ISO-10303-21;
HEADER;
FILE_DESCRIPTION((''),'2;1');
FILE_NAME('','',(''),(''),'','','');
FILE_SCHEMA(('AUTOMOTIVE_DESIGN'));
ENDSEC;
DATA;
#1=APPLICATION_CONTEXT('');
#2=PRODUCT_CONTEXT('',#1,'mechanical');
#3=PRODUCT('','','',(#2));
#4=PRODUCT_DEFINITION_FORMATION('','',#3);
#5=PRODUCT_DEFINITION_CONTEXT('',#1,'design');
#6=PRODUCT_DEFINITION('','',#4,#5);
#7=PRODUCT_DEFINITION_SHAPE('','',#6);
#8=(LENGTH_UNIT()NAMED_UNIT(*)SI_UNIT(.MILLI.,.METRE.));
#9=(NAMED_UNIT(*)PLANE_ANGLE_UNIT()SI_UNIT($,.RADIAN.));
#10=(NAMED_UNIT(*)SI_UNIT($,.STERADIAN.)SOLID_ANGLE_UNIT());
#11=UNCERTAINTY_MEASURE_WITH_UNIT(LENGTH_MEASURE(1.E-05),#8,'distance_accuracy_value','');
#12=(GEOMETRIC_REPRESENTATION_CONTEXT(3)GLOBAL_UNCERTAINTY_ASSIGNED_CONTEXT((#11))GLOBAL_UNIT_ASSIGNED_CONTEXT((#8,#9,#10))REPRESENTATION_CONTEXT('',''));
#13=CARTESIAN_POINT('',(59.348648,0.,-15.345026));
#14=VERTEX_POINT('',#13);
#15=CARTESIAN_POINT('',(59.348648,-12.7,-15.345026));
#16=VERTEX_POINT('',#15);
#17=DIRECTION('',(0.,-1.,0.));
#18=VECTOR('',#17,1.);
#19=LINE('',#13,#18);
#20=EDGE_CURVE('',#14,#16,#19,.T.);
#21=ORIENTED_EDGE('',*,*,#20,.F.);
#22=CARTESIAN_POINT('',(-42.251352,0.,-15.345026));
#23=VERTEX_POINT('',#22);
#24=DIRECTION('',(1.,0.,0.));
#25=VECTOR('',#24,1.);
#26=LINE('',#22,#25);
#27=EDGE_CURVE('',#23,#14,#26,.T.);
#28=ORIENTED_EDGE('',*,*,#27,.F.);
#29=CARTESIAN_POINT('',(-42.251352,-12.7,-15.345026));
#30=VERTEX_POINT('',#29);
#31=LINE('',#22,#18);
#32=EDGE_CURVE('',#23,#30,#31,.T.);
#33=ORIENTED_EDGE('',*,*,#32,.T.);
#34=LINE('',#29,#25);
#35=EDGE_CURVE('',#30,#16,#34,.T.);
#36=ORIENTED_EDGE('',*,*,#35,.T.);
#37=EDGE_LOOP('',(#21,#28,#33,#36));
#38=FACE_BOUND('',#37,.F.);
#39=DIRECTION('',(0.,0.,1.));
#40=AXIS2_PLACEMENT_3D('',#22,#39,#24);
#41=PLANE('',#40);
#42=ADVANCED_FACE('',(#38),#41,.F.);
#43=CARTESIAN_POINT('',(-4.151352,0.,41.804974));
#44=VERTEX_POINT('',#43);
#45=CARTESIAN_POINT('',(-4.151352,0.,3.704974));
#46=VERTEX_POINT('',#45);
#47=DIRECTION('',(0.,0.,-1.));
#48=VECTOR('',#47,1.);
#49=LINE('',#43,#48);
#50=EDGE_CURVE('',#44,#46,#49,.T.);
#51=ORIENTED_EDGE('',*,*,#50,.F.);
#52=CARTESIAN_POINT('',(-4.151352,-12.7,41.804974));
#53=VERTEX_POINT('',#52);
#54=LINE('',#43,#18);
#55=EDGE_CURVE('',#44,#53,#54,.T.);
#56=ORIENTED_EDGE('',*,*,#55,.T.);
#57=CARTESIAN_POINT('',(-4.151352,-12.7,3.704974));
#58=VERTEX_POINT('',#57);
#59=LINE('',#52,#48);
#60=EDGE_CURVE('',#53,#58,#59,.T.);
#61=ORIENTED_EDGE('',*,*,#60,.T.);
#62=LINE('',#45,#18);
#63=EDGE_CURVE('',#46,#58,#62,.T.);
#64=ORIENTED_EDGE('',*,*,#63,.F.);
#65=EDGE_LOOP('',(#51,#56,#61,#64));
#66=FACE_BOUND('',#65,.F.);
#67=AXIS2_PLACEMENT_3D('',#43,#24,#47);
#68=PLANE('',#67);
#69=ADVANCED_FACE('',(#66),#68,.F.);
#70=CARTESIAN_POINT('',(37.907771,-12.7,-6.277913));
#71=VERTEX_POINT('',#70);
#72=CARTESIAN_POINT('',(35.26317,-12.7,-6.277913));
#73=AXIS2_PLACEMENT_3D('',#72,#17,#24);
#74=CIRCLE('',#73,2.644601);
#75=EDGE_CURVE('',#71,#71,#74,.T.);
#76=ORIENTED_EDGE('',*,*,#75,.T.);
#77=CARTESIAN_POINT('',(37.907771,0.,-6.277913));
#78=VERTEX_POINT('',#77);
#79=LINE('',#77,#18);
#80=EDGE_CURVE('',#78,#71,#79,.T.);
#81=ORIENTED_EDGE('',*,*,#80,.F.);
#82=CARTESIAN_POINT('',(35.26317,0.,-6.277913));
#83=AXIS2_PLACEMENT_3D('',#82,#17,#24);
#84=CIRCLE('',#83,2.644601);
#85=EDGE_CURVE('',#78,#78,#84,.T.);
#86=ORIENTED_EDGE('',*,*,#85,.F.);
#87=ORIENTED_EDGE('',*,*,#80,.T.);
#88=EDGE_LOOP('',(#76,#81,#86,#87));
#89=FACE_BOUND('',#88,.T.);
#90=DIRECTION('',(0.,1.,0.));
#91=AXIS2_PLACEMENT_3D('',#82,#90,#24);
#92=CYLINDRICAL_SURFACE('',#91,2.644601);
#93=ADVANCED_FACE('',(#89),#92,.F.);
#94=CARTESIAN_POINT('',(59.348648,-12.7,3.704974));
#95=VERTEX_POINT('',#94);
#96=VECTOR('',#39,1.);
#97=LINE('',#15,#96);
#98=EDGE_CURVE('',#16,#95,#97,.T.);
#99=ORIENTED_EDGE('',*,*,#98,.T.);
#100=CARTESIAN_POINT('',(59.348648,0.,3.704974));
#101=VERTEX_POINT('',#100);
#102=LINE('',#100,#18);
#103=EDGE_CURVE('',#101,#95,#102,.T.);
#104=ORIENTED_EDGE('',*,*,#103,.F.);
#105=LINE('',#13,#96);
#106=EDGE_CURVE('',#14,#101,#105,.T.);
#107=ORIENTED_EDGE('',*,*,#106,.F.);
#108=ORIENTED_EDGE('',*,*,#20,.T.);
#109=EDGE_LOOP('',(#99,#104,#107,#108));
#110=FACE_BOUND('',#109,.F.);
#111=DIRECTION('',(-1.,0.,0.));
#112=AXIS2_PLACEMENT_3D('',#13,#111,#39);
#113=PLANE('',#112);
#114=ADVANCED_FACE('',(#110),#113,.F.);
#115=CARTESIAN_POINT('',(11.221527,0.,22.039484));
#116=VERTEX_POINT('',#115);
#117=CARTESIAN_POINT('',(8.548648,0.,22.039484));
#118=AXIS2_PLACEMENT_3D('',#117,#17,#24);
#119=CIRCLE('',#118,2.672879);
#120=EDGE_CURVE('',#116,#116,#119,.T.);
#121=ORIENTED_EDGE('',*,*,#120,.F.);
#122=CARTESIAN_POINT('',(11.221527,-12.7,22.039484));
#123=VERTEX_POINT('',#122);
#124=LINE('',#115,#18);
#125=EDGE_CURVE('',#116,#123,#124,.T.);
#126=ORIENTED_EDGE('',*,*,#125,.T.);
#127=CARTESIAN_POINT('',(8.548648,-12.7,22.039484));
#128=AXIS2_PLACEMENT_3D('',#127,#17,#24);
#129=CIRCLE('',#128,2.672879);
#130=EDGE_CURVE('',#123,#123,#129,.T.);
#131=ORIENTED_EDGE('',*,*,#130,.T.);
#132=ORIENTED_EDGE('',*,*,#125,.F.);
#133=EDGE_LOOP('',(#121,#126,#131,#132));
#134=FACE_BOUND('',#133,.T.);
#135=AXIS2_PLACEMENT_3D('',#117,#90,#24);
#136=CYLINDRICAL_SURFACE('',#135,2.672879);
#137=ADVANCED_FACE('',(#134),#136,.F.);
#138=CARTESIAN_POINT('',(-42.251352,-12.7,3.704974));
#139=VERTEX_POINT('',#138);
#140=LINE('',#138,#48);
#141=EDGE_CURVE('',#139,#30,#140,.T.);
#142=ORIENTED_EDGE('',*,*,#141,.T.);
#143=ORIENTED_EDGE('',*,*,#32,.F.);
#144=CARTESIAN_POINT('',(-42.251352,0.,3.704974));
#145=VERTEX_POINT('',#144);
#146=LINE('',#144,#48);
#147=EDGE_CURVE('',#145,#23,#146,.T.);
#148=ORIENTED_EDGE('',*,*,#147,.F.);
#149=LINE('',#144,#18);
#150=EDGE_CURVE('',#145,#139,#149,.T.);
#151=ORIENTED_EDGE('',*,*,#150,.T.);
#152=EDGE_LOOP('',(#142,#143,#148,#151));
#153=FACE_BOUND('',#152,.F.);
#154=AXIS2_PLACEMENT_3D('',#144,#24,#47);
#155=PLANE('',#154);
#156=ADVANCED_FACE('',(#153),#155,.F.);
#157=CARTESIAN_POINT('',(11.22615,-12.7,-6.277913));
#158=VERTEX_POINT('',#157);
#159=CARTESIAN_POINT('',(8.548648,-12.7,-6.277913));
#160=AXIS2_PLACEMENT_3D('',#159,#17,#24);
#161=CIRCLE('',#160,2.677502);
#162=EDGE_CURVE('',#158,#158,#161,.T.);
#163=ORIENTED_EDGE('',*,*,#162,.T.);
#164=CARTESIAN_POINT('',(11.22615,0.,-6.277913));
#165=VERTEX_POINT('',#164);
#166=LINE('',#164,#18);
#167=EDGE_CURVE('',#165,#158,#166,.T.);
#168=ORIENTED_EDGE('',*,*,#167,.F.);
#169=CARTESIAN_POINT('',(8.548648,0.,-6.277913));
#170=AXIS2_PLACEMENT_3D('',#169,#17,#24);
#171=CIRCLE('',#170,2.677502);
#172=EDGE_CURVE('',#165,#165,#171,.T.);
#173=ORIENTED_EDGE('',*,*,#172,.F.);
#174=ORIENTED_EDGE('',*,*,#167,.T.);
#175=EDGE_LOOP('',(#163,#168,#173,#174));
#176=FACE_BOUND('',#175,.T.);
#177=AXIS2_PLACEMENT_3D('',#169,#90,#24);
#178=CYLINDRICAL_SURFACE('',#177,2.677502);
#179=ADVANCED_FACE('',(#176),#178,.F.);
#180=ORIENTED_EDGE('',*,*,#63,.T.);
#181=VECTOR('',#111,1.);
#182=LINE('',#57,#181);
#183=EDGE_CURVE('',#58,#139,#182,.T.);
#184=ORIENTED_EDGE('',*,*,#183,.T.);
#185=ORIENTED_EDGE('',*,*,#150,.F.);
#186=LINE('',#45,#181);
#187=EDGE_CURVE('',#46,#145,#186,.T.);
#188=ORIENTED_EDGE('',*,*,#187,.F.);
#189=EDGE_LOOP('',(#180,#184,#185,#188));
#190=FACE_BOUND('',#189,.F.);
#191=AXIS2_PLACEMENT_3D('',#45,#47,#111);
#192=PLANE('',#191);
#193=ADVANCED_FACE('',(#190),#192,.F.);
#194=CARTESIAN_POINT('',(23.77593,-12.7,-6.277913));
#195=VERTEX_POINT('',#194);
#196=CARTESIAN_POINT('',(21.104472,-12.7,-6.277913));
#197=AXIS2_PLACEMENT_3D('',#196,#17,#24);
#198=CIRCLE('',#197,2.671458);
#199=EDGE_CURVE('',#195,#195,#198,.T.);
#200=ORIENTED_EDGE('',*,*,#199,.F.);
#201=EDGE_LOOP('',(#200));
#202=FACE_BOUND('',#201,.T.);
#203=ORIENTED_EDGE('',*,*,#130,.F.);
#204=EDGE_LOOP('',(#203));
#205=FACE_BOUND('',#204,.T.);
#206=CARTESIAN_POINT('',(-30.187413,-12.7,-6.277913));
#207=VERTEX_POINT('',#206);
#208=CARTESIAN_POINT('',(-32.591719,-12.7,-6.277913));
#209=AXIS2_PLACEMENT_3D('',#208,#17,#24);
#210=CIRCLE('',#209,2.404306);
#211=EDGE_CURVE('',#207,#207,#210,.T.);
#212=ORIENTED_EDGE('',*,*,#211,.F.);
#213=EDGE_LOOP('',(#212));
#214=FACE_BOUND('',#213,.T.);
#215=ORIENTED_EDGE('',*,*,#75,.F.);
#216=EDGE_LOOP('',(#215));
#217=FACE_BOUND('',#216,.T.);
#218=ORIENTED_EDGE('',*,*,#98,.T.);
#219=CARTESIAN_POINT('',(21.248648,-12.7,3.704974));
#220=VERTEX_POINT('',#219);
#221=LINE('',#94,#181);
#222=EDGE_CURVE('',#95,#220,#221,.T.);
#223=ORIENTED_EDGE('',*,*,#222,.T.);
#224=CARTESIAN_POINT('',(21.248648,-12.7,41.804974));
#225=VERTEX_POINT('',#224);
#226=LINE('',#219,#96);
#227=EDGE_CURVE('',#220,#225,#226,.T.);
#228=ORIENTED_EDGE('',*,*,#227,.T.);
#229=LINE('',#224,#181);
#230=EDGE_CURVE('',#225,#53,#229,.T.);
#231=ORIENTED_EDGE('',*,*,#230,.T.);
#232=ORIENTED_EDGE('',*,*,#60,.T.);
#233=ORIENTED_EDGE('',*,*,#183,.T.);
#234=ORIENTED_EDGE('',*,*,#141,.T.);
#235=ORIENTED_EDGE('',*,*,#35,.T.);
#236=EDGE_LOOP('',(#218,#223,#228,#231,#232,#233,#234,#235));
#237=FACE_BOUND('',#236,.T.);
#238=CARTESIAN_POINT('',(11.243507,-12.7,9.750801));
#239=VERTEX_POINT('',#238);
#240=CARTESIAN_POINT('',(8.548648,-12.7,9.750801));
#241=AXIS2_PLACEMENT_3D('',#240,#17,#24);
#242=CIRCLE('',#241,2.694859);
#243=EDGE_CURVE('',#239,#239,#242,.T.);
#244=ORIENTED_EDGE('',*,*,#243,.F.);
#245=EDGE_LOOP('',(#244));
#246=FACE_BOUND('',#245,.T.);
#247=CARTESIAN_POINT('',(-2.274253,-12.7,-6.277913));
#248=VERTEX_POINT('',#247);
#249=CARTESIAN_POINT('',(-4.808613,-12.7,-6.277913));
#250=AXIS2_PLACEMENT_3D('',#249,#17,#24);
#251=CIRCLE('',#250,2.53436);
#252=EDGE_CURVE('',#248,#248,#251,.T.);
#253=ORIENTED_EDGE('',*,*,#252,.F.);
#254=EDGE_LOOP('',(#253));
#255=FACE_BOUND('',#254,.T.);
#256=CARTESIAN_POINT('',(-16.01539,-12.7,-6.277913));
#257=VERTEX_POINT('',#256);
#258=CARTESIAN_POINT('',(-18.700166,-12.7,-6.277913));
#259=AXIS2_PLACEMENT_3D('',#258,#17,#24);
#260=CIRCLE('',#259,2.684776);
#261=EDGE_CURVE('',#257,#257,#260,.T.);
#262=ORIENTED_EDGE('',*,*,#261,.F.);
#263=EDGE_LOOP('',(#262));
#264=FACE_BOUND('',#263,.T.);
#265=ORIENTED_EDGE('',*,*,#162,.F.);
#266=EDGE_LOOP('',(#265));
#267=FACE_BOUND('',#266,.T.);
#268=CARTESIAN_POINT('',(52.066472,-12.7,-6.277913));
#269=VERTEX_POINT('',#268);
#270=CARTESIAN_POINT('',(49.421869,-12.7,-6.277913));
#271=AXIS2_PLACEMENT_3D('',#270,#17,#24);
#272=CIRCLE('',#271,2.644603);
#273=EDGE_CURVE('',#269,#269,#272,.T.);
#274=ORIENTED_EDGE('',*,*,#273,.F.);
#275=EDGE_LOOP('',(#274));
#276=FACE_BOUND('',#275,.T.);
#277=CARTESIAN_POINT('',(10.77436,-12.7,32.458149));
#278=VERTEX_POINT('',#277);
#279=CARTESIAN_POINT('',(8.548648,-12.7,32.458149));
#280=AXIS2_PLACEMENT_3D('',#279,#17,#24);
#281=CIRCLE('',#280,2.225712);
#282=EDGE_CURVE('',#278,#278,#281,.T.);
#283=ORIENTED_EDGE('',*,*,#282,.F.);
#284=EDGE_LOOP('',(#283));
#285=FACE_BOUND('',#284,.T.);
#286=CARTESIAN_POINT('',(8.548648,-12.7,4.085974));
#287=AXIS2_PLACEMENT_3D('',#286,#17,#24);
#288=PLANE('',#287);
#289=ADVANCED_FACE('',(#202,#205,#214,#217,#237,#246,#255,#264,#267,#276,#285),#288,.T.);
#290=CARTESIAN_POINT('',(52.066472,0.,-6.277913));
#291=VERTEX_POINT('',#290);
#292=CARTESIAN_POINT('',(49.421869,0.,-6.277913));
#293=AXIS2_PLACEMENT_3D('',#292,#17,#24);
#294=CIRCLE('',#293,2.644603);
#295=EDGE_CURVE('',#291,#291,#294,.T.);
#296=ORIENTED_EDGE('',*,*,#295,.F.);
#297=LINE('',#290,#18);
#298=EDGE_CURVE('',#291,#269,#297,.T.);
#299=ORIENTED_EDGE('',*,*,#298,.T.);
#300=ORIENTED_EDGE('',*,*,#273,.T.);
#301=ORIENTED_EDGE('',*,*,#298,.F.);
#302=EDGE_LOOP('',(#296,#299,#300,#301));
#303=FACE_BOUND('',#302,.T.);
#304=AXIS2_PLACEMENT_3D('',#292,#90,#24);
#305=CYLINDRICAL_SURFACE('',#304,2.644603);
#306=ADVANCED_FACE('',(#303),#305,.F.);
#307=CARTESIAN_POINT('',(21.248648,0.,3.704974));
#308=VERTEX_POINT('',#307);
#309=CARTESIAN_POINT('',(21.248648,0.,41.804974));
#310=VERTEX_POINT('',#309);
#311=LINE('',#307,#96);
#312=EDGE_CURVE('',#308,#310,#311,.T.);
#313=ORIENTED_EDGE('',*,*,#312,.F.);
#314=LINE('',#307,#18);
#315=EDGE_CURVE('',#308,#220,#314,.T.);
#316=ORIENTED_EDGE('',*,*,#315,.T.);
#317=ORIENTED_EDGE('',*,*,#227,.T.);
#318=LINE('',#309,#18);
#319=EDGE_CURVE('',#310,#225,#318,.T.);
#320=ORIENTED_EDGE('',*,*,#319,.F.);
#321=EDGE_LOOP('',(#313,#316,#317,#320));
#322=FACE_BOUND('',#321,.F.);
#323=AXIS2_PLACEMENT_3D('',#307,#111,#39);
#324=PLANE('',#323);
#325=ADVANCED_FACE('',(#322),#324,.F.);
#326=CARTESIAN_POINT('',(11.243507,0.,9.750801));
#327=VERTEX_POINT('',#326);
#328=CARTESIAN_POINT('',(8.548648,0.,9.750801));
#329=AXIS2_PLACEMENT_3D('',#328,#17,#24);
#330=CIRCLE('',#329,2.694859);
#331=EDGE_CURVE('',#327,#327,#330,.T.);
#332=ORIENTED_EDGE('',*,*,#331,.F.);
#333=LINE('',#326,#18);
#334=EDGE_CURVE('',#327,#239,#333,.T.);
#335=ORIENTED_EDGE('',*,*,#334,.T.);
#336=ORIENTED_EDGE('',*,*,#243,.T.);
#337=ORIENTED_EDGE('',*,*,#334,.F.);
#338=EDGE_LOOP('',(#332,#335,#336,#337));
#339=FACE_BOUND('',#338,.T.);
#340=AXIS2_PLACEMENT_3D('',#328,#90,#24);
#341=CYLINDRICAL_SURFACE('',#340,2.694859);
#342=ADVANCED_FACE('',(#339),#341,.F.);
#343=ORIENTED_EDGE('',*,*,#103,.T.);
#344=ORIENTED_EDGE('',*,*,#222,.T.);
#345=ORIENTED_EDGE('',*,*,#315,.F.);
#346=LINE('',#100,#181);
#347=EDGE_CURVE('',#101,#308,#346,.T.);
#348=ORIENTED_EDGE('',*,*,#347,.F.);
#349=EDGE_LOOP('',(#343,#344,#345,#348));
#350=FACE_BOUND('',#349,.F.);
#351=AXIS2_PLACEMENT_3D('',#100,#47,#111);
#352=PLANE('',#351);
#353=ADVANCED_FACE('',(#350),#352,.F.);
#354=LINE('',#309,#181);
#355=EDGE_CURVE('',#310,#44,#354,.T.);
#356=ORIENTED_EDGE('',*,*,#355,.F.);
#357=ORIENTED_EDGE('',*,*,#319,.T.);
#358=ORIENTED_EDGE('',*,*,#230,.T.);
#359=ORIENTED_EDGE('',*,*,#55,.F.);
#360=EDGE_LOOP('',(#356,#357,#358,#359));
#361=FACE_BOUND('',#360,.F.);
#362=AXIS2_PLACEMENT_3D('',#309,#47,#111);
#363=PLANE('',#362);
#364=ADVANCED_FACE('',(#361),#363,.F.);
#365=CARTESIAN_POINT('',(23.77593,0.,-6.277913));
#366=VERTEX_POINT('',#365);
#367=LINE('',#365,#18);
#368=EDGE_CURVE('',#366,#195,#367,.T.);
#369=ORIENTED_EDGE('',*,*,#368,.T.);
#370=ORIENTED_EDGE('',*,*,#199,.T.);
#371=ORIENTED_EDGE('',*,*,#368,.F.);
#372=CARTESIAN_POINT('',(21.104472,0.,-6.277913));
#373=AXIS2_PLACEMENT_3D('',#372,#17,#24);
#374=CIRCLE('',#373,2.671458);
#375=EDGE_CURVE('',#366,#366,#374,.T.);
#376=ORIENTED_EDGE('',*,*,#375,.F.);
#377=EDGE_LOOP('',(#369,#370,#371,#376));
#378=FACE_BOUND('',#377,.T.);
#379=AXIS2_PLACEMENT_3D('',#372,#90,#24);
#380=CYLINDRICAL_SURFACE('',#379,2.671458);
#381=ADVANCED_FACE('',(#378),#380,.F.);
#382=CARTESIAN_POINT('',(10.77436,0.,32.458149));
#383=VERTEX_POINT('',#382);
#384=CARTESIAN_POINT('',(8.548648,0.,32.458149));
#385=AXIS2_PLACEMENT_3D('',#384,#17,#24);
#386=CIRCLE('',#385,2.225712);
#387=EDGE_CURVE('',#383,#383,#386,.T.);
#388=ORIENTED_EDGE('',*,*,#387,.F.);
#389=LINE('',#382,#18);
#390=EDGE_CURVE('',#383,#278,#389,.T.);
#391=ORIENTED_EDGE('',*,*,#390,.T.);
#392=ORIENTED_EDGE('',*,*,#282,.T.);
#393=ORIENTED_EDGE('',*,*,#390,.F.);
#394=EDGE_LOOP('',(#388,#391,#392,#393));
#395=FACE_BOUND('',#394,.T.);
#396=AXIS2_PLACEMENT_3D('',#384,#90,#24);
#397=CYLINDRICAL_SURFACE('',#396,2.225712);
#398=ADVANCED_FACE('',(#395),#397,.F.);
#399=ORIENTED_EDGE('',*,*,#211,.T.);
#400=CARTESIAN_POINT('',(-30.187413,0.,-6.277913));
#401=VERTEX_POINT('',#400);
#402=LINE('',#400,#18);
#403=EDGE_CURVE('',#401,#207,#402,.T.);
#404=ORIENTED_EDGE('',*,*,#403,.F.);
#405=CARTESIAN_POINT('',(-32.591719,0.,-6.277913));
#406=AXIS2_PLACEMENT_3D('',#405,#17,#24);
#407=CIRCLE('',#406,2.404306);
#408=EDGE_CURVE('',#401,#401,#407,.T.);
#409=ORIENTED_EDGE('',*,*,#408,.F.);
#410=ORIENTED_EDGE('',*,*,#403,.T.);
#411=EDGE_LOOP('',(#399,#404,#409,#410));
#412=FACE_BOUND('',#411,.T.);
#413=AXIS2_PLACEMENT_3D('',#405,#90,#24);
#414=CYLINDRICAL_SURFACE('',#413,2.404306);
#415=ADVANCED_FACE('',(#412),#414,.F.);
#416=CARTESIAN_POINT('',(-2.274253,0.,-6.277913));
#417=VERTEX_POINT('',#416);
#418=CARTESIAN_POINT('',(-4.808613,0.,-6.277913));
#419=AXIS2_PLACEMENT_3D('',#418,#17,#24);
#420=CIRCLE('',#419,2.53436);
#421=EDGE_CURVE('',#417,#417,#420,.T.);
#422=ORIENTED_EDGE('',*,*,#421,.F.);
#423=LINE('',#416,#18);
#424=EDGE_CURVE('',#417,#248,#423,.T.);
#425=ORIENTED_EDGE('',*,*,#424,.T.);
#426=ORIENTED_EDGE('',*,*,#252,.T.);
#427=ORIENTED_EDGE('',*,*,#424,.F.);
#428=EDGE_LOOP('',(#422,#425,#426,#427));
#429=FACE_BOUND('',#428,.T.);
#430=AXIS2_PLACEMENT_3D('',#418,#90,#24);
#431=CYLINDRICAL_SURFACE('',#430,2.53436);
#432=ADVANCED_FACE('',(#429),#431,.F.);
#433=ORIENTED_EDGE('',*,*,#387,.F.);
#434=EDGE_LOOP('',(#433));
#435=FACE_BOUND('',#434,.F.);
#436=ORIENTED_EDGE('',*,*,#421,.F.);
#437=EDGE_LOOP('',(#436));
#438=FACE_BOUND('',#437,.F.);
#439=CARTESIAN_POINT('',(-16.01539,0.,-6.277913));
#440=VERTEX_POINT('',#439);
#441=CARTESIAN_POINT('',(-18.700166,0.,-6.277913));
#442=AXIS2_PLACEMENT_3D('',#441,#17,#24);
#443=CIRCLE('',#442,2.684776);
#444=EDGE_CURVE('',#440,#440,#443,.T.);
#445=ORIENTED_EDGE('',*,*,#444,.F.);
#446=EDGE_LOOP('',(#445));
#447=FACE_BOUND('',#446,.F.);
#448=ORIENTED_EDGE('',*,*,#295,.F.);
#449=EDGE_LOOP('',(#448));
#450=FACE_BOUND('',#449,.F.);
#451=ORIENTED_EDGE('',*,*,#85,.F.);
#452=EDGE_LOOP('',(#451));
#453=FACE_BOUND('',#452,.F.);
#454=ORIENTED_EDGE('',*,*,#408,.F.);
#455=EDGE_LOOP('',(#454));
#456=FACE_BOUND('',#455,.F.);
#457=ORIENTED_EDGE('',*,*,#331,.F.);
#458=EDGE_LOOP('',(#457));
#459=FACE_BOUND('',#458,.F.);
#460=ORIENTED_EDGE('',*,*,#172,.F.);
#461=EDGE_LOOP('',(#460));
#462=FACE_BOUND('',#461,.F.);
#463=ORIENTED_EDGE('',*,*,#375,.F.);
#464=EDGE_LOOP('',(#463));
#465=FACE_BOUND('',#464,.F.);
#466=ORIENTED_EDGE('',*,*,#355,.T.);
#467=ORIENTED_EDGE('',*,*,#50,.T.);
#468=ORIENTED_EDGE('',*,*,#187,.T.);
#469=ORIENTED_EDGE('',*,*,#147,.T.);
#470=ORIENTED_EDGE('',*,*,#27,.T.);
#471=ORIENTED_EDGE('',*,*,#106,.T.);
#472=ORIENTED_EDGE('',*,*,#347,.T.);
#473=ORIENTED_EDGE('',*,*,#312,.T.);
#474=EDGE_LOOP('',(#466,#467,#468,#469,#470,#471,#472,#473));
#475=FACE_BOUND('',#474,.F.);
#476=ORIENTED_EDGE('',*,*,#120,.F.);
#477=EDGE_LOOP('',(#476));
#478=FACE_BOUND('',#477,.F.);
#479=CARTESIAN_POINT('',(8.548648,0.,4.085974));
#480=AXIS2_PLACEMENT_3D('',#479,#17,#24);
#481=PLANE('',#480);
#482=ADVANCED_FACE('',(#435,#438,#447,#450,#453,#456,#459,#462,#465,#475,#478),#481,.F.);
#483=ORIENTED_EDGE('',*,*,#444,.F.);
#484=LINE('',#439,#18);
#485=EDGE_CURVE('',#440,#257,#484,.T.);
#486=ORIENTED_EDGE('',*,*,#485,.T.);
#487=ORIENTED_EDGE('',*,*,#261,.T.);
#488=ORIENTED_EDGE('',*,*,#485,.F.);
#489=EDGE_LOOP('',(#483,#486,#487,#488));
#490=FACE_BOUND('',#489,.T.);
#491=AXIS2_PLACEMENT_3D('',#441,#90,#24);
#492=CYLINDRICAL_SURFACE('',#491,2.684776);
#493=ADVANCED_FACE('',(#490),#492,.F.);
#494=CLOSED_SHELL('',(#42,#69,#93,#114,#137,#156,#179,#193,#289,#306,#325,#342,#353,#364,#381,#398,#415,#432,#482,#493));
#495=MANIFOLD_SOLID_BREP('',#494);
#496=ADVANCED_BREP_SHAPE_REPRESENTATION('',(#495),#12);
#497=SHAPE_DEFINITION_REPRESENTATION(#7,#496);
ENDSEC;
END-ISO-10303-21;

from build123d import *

# Parameters (mm, degrees)
F0_R     = 2.404306
F0_R_2   = 2.684776
F0_R_3   = 2.53436
F0_R_4   = 2.677502
F0_R_5   = 2.694859
F0_R_6   = 2.671458
F0_R_7   = 2.644601
F0_R_8   = 2.644603
F0_R_9   = 2.672879
F0_R_10  = 2.225712
F1_DEPTH = 12.7


with BuildPart() as f1:
    # F0 (on Front) → F1 (new body)
    with BuildSketch(Plane.XZ):
        Polygon((-42.251352, -15.345026), (59.348648, -15.345026), (59.348648, 3.704974), (21.248648, 3.704974), (21.248648, 41.804974), (-4.151352, 41.804974), (-4.151352, 3.704974), (-42.251352, 3.704974), align=None)
        with Locations((-32.591719, -6.277913)):
            Circle(F0_R, mode=Mode.SUBTRACT)
        with Locations((-18.700166, -6.277913)):
            Circle(F0_R_2, mode=Mode.SUBTRACT)
        with Locations((-4.808613, -6.277913)):
            Circle(F0_R_3, mode=Mode.SUBTRACT)
        with Locations((8.548648, -6.277913)):
            Circle(F0_R_4, mode=Mode.SUBTRACT)
        with Locations((8.548648, 9.750801)):
            Circle(F0_R_5, mode=Mode.SUBTRACT)
        with Locations((21.104472, -6.277913)):
            Circle(F0_R_6, mode=Mode.SUBTRACT)
        with Locations((35.26317, -6.277913)):
            Circle(F0_R_7, mode=Mode.SUBTRACT)
        with Locations((49.421869, -6.277913)):
            Circle(F0_R_8, mode=Mode.SUBTRACT)
        with Locations((8.548648, 22.039484)):
            Circle(F0_R_9, mode=Mode.SUBTRACT)
        with Locations((8.548648, 32.458149)):
            Circle(F0_R_10, mode=Mode.SUBTRACT)
    extrude(amount=F1_DEPTH)


solid = f1.part
